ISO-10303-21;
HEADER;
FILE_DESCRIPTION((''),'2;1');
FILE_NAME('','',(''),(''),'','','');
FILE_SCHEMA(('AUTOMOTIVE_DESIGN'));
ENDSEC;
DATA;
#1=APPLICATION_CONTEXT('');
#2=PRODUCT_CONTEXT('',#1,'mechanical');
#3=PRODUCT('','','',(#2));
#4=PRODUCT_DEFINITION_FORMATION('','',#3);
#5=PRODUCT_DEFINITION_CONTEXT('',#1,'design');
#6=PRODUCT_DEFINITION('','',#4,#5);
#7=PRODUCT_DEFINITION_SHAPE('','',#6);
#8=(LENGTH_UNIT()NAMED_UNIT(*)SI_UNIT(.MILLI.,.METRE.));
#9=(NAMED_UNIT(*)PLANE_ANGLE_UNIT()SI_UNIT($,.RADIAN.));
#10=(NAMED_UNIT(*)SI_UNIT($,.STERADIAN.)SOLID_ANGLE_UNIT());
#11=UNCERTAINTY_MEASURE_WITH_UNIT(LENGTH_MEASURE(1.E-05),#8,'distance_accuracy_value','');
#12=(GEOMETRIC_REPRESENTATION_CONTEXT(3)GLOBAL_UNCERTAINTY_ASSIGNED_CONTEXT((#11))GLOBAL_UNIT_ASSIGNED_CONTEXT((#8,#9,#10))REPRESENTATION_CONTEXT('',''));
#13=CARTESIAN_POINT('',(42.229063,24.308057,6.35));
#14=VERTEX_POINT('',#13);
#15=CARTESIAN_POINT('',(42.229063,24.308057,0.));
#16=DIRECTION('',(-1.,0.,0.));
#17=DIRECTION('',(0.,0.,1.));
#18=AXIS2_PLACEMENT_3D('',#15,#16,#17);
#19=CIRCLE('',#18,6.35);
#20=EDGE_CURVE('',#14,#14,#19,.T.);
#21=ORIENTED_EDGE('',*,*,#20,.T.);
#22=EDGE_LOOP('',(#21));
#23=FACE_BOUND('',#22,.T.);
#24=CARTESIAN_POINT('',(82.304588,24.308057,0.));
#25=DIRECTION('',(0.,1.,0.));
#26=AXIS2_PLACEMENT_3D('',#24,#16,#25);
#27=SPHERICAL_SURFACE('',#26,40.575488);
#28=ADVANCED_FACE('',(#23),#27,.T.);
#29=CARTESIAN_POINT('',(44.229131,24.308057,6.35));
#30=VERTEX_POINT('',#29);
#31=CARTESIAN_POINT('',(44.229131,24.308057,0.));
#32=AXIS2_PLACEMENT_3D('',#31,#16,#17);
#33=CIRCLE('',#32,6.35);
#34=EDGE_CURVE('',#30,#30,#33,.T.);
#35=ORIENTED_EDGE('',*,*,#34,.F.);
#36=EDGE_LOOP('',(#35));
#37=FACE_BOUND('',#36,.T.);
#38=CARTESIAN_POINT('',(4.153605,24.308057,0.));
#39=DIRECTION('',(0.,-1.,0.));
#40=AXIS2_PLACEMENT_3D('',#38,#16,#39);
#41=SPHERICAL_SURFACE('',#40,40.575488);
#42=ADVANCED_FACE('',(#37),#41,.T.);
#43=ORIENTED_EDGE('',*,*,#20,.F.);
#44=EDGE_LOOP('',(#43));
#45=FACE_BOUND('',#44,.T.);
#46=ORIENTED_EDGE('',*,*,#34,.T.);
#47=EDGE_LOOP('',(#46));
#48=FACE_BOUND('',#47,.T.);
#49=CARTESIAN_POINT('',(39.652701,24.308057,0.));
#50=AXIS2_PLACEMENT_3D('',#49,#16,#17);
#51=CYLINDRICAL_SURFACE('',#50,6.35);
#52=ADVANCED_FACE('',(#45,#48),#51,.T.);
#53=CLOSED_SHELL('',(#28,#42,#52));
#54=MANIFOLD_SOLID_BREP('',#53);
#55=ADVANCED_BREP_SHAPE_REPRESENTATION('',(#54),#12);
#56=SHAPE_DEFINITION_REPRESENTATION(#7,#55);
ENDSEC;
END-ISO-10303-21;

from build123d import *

# Parameters (mm, degrees)
SKETCH_1_ONE_SIDE_W = 2.000068571
SKETCH_1_ONE_SIDE_H = 6.35


with BuildPart() as part:
    # 草图1 one side → 旋转1 (revolve)
    with BuildSketch(Plane.XY, mode=Mode.PRIVATE) as revolve_1_sk:
        with Locations((43.229096888, 27.483056512)):
            Rectangle(SKETCH_1_ONE_SIDE_W, SKETCH_1_ONE_SIDE_H)
        with BuildLine():
            Line((41.729099887, 24.308056512), (42.229062602, 24.308056512))
            Line((42.229062602, 24.308056512), (42.229062602, 30.658056512))
            ThreePointArc((42.229062602, 30.658056512), (41.854283675, 27.492882359), (41.729099887, 24.308056512))
        make_face()
        with BuildLine():
            Line((44.229131173, 24.308056512), (44.729093887, 24.308056512))
            ThreePointArc((44.729093887, 24.308056512), (44.6039101, 27.492882359), (44.229131173, 30.658056512))
            Line((44.229131173, 30.658056512), (44.229131173, 24.308056512))
        make_face()
    revolve(revolve_1_sk.sketch.rotate(Axis((39.652700675, 24.308056512, 0), (1, 0, 0)), 90), axis=Axis((39.652700675, 24.308056512, 0), (1, 0, 0)))  # turned: the seam where the file's is


solid = part.part
